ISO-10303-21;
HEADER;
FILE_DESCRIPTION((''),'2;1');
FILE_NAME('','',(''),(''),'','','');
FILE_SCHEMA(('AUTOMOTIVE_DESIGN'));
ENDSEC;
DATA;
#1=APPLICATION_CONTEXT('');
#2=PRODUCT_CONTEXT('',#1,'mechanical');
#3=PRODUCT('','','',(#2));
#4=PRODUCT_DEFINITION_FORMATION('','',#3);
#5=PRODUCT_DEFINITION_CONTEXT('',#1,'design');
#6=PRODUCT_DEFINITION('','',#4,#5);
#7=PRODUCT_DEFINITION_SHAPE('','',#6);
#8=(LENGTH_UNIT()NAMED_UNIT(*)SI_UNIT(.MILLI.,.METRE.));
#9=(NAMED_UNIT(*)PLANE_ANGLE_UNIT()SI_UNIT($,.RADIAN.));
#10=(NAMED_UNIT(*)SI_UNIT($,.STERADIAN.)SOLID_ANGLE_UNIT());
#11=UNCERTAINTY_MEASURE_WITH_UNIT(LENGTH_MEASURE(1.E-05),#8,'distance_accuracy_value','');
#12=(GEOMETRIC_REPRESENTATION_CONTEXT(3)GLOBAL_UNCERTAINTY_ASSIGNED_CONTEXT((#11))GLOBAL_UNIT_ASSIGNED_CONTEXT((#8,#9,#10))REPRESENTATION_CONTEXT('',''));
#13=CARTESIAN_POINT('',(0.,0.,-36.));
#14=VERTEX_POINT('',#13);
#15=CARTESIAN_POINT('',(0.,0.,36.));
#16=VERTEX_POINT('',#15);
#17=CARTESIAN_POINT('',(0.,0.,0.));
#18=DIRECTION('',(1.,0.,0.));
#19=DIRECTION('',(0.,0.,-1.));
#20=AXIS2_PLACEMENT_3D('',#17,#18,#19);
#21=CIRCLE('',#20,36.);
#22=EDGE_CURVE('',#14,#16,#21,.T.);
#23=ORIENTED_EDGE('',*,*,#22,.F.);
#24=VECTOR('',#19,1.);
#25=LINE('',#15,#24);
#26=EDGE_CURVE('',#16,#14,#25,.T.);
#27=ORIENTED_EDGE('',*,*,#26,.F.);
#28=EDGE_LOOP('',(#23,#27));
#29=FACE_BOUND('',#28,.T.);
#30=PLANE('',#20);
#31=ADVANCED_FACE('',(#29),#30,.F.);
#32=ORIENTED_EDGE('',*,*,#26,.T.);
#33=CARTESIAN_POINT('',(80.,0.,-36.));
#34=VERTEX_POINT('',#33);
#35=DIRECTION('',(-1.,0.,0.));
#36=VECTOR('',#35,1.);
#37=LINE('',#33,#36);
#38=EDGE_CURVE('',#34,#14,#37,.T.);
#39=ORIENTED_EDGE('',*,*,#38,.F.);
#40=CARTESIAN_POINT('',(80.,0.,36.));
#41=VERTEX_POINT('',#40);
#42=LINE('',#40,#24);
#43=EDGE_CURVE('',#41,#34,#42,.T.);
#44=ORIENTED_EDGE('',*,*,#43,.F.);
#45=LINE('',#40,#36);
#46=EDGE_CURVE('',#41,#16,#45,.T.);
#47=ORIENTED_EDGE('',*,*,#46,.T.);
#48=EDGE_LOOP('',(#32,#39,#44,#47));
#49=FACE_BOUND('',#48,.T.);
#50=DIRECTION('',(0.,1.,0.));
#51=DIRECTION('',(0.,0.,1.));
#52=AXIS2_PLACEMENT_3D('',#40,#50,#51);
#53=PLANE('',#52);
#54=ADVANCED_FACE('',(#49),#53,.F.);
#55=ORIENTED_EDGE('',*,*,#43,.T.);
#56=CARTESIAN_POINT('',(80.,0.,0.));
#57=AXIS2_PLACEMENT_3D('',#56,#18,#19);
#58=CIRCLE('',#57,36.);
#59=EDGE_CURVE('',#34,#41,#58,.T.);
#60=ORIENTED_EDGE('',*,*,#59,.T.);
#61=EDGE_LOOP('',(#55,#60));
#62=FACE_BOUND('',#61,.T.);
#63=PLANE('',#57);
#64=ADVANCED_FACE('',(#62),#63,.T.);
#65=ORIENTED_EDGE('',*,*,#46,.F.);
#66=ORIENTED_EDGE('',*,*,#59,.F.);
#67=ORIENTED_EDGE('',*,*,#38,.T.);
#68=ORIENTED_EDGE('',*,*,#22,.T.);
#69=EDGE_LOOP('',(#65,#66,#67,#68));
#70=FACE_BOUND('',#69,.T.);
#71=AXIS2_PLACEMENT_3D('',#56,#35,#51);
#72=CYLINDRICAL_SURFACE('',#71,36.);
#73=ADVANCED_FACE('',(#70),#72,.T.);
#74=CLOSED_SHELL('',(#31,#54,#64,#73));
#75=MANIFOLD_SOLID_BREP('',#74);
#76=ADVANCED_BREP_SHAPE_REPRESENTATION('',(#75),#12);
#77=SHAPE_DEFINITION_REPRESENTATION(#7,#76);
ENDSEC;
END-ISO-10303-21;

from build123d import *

# Parameters (mm, degrees)
EXTRUDE_1_DEPTH = 80


with BuildPart() as part:
    # 草图1 → 凸台-拉伸1 (new body)
    with BuildSketch(Plane(origin=(0, 0, 0), x_dir=(0, 0, -1), z_dir=(1, 0, 0))):
        with BuildLine():
            Line((-36, 0), (36, 0))
            ThreePointArc((36, 0), (0, 36), (-36, 0))
        make_face()
    extrude(amount=EXTRUDE_1_DEPTH)


solid = part.part
